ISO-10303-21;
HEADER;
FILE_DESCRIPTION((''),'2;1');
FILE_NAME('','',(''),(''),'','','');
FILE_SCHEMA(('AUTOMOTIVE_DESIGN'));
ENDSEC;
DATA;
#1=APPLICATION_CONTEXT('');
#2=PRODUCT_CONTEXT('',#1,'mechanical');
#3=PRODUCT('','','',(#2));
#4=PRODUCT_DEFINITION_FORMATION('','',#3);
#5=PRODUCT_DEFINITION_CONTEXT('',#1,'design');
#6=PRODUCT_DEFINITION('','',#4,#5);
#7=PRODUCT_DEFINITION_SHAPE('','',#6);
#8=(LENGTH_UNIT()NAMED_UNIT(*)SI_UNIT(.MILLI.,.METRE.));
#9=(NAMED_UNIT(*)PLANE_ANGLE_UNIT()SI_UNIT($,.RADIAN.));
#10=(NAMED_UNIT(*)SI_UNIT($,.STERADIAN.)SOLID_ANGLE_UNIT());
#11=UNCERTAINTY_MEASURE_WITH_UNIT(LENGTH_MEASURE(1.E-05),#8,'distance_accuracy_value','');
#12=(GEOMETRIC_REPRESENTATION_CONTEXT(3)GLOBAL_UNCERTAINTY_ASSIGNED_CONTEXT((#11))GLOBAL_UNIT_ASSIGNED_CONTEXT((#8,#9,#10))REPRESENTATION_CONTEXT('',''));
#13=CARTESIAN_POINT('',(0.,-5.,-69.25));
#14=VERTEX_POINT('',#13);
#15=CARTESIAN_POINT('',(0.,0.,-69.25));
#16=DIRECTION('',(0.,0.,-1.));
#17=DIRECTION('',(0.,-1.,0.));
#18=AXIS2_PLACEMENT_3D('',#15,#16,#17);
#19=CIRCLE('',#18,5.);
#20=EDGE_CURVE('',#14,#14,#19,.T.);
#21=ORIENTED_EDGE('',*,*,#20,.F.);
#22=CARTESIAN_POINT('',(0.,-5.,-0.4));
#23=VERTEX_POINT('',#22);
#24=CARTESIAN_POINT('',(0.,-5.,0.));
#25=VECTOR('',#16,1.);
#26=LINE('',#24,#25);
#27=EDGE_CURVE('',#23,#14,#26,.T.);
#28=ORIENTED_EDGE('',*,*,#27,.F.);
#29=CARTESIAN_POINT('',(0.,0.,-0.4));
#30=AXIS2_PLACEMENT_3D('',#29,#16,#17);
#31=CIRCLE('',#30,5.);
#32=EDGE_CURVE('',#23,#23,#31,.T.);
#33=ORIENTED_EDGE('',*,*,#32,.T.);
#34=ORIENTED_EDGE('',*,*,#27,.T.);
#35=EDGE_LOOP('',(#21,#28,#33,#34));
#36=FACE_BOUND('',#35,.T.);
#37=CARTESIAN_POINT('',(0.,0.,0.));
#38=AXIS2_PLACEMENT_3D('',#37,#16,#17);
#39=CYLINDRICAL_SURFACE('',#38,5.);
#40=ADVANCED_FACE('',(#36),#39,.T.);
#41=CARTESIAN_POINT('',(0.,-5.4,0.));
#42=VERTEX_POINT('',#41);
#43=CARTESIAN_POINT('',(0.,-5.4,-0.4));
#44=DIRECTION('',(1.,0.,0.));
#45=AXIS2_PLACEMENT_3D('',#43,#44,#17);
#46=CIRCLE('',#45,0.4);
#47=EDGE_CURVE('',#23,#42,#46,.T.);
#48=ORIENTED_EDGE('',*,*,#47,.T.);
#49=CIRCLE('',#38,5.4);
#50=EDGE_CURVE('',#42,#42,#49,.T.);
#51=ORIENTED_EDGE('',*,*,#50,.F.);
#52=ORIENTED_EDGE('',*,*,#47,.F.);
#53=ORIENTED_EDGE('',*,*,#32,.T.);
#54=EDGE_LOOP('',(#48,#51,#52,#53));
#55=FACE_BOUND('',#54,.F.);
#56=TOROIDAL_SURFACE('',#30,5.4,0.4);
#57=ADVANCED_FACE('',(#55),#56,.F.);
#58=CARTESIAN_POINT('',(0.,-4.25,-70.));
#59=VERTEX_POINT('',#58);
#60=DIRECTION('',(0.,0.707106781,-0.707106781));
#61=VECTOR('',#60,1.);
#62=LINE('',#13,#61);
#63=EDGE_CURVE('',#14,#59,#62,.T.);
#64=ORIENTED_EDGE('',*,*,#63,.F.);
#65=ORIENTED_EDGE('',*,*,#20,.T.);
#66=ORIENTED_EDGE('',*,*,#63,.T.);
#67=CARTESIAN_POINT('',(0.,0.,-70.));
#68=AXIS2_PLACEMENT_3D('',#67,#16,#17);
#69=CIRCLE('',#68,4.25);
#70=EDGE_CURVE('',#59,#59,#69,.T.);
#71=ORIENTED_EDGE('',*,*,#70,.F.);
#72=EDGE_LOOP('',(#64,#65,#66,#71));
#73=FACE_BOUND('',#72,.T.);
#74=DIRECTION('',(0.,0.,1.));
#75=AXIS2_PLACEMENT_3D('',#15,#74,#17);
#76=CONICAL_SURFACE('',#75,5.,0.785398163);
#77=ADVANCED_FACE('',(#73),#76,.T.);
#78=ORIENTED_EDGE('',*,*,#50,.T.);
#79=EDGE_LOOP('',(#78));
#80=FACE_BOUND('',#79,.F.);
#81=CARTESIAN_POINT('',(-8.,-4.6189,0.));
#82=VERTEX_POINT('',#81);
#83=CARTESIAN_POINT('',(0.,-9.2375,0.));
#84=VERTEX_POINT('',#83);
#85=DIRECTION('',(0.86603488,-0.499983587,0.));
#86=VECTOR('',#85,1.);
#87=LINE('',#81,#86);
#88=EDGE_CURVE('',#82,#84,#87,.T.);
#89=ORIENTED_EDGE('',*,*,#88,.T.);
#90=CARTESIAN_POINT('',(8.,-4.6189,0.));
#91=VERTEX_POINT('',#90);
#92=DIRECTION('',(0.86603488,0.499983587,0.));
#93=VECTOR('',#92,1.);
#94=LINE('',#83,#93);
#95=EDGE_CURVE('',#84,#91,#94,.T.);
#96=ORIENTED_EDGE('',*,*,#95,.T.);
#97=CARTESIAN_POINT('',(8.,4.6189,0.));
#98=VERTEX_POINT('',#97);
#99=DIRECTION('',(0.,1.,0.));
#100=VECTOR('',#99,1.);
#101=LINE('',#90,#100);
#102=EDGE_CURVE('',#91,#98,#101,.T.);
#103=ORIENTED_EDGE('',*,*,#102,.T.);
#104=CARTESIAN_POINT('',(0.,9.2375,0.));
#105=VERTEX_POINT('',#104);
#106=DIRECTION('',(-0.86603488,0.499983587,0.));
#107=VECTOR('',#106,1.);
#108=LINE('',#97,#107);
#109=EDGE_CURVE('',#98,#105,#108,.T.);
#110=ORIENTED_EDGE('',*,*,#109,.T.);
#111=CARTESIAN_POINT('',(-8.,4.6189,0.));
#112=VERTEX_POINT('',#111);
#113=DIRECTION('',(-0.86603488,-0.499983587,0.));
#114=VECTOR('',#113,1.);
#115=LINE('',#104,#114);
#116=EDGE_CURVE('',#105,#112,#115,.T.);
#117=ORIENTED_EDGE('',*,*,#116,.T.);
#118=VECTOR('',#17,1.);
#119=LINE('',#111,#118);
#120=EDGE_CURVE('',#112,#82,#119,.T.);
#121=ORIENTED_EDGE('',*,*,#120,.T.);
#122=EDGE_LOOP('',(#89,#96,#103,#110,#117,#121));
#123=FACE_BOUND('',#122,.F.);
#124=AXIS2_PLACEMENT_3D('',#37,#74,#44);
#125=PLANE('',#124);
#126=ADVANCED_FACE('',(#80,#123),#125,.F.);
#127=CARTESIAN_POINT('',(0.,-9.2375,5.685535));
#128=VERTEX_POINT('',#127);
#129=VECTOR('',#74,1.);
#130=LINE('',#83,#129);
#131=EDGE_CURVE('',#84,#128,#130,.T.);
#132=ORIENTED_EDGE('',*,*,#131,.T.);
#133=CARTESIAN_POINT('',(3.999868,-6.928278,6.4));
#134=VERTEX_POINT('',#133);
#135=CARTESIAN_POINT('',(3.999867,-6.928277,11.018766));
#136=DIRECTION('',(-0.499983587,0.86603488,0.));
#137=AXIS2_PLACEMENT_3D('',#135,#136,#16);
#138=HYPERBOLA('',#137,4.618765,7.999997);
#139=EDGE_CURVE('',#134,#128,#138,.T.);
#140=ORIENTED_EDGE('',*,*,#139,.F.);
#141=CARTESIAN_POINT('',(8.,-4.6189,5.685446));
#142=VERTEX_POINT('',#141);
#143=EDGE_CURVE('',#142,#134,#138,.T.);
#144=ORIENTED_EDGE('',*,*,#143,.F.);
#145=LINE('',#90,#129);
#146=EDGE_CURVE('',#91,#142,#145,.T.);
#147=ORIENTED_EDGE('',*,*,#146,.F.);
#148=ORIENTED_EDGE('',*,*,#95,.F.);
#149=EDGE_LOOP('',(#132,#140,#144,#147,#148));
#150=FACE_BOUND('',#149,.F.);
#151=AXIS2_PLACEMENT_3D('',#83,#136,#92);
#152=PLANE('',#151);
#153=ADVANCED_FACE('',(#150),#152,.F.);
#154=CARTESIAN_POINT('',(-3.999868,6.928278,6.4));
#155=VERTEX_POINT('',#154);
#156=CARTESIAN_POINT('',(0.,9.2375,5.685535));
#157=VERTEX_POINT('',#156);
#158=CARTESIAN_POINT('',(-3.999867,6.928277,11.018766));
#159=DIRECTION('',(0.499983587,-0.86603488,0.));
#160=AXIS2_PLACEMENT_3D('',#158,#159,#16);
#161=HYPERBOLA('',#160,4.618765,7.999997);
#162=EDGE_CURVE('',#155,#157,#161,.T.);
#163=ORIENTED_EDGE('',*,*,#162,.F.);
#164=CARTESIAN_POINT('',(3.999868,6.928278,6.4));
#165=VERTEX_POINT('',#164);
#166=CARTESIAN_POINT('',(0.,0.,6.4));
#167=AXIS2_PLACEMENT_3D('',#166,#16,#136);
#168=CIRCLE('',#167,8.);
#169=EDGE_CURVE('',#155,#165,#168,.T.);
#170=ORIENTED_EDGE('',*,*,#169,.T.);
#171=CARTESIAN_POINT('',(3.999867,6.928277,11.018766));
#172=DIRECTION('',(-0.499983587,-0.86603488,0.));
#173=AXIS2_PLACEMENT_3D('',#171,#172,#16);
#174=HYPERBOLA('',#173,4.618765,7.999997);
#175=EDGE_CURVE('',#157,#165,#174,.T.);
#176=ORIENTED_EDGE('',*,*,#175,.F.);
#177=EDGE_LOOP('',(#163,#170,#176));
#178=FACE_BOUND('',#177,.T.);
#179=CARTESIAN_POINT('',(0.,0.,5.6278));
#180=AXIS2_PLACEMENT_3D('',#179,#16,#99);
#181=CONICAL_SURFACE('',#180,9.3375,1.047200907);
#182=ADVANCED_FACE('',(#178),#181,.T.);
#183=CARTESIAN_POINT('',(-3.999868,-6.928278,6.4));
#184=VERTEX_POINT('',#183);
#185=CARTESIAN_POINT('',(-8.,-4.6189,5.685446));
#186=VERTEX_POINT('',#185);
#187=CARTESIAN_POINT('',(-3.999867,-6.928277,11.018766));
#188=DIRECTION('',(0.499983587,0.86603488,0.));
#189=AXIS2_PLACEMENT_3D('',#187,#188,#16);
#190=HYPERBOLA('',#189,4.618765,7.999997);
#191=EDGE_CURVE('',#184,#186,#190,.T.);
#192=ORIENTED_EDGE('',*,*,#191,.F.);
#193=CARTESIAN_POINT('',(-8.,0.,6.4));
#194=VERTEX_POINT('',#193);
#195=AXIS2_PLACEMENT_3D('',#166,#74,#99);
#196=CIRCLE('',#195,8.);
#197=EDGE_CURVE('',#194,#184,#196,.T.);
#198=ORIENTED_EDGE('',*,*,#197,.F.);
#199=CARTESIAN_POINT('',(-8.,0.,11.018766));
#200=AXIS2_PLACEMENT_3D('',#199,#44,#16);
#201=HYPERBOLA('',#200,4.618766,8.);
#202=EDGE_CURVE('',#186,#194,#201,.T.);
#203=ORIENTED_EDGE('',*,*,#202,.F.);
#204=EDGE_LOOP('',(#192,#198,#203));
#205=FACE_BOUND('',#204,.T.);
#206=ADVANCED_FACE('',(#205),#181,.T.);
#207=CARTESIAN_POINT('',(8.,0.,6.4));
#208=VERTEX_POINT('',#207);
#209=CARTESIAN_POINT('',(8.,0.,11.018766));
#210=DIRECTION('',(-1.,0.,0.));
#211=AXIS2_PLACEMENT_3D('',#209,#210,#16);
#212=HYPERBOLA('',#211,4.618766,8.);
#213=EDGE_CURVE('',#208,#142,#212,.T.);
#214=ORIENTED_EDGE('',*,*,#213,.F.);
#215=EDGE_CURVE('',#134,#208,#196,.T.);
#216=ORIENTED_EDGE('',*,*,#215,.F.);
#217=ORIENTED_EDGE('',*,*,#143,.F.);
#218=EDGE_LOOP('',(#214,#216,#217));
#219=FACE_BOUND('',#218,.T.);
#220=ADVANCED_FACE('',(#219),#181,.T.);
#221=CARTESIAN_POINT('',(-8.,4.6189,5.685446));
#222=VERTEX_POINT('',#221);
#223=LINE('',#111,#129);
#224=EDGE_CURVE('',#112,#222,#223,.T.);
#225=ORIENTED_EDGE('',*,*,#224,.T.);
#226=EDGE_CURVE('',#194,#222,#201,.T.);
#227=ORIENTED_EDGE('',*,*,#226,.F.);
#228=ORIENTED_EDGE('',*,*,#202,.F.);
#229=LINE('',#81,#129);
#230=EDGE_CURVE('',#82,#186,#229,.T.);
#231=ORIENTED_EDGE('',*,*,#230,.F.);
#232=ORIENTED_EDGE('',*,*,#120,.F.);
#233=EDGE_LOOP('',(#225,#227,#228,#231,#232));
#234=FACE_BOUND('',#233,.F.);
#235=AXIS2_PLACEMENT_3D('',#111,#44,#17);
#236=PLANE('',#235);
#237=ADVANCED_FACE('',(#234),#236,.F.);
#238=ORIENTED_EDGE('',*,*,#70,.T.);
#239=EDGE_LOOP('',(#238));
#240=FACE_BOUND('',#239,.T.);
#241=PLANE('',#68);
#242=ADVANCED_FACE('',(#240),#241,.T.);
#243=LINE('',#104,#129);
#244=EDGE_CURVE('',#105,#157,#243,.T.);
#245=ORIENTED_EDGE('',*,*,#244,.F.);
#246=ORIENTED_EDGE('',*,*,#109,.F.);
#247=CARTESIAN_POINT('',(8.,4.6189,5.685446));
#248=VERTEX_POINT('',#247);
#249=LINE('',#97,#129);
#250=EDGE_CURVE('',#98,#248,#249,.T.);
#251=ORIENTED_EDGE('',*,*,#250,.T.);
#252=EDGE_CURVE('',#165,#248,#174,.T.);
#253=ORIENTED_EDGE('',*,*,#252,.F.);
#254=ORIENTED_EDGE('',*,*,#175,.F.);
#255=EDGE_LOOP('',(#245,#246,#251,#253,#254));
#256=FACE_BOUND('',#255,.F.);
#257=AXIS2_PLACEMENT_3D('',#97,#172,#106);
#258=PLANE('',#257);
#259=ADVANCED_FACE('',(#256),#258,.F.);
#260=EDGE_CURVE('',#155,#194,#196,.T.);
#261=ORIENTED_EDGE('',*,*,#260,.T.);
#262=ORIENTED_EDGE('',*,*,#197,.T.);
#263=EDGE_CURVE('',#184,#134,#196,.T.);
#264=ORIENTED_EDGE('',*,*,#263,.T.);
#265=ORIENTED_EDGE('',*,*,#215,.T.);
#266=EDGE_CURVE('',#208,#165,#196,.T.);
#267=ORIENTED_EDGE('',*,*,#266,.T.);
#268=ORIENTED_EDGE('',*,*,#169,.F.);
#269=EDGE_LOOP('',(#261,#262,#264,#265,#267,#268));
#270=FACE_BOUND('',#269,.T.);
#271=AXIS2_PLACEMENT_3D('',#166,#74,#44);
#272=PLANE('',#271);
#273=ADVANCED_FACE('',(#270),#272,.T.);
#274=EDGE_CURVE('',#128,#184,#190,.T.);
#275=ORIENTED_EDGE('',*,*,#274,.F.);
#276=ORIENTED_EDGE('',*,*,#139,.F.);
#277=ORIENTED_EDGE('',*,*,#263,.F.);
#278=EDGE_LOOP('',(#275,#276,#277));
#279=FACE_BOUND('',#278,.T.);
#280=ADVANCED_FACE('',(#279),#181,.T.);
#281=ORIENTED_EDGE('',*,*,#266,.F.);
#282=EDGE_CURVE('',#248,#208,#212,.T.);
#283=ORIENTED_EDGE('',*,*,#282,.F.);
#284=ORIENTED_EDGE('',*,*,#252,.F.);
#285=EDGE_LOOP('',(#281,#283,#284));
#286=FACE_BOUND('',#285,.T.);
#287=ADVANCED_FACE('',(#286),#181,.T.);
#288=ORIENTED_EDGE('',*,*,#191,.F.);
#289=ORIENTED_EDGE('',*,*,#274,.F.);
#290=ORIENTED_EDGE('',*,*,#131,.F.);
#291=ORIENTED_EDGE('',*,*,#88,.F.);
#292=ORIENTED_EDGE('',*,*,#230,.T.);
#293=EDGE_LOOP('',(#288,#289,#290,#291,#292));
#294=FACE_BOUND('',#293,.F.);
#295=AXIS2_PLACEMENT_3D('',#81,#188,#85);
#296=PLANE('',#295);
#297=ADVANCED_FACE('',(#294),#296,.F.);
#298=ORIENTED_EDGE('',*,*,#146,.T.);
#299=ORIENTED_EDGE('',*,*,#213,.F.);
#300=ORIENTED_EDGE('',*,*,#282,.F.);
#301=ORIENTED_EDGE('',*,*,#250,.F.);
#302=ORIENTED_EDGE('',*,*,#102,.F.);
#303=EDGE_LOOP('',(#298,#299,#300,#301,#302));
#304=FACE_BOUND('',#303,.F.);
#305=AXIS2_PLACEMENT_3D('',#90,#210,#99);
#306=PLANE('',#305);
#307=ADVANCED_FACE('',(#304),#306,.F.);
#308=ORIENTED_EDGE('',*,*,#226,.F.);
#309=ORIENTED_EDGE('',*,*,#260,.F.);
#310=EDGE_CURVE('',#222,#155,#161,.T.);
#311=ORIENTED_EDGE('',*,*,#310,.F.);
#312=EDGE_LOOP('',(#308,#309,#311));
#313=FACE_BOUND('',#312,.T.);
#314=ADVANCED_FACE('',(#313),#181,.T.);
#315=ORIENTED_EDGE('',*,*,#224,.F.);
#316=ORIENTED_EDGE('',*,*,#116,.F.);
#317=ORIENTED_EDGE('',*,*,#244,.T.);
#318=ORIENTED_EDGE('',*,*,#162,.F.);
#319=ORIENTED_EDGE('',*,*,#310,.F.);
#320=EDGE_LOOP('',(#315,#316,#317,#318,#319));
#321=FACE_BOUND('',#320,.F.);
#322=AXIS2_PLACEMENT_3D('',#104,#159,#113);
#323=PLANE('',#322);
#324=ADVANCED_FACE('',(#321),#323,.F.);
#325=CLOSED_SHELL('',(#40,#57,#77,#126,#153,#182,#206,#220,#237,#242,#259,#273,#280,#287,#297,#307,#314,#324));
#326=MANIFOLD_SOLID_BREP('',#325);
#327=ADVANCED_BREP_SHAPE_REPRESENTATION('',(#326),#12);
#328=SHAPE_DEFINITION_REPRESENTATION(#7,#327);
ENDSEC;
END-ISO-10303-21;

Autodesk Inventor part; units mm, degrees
ref_plane "WorkPlane1" through (0, 0, 0) normal (0, 0, 1) x (1, 0, 0)
sketch "Sketch1" plane through (0, 0, 0) normal (0, 0, 1) x (1, 0, 0)
  point P0 (0, 0)
sketch "Sketch2" plane through (0, 0, 0) normal (0, 0, 1) x (1, 0, 0)
  line L0 (-8, 4.6189) -> (-8, -4.6189)
  line L1 (0, 9.2375) -> (-8, 4.6189)
  line L2 (8, 4.6189) -> (0, 9.2375)
  line L3 (8, -4.6189) -> (8, 4.6189)
  line L4 (0, -9.2375) -> (8, -4.6189)
  line L5 (-8, -4.6189) -> (0, -9.2375)
  circle A0 centre (0, 0) radius 8 construction
  dimension "d1" = 16
  dimension "d29" = 0
  dimension "d30" = 0
extrude "Extrusion1" add sketch "Sketch2" along normal blind 6.4
sketch "Sketch3" plane through (0, 0, 0) normal (1, 0, 0) x (0, 1, 0)
  line L0 (8, 6.4) -> (9.3375, 6.4)
  line L1 (9.3375, 5.6278) -> (8, 6.4)
  line L2 (9.3375, 6.4) -> (9.3375, 5.6278)
  line L3 (0, -1.28) -> (0, 7.68) projected
  line L4 (9.2375, 0) -> (9.2375, 6.4) projected
  dimension "d25" = 0.1
  dimension "d26" = 0
  dimension "d27" = 60
  dimension "d28" = 8
revolve "Revolution1" cut sketch "Sketch3" angle 360 about axis through (0, 0, -10) along (0, 0, 1)
sketch "Sketch4" plane through (0, 0, 0) normal (1, 0, 0) x (0, 1, 0)
  line L0 (0, -70) -> (0, 0)
  line L1 (-5, -70) -> (0, -70)
  line L2 (-5, 0) -> (-5, -70)
  line L3 (0, 0) -> (-5, 0)
  line L4 (0, -70) -> (0, 0)
  line L5 (-6, 0) -> (1, 0) projected
  line L6 (0, -84) -> (0, 14) projected
  dimension "d18" = 5
  dimension "d20" = 70
  dimension "d33" = 0
  dimension "d34" = 0
revolve "Revolution2" add sketch "Sketch4" angle 360 about axis through (0, 0, -70) along (0, 0, -1)
chamfer "Chamfer1" distance 0.75 angle 45 1 edges at (0, 5, -70)
fillet "Fillet1" radius 0.4 1 edges at (0, 5, 0)
thread "Thread1" size "M10x1.5" class "6g" standard "ISO Metric profile" length 67
ref_plane "MSC_PF1" through (0, 0, 0) normal (1, 0, 0) x (0, 1, 0)
ref_plane "MSC_PT1" through (0, 0, 0) normal (0, 0, -1) x (-1, 0, 0)
equation "\"d22\" = 0.5 * PTC"
equation "\"d23\" = 0.5 * PTC"
equation "\"d24\" = r"
equation "\"d1\" = ParS"
equation "\"d6\" = ParK"
equation "\"b\" = NLG - 2 * PTC"
equation "\"d28\" = 0.5 * ParS"
equation "\"d18\" = 0.5 * NND"
equation "\"d20\" = NLG"
equation "\"NLG\" = 70"
equation "\"PTC\" = 1.5"
equation "\"ParK\" = 6.4"
equation "\"ParS\" = 16"
equation "\"msp_es\" = 0.577367 * ParS"
equation "\"r\" = 0.4"
equation "\"K1\" = 4.17"
equation "\"NND\" = 10"
properties part number "DIN EN ISO 4018 - M10x70" material "Stainless Steel"
